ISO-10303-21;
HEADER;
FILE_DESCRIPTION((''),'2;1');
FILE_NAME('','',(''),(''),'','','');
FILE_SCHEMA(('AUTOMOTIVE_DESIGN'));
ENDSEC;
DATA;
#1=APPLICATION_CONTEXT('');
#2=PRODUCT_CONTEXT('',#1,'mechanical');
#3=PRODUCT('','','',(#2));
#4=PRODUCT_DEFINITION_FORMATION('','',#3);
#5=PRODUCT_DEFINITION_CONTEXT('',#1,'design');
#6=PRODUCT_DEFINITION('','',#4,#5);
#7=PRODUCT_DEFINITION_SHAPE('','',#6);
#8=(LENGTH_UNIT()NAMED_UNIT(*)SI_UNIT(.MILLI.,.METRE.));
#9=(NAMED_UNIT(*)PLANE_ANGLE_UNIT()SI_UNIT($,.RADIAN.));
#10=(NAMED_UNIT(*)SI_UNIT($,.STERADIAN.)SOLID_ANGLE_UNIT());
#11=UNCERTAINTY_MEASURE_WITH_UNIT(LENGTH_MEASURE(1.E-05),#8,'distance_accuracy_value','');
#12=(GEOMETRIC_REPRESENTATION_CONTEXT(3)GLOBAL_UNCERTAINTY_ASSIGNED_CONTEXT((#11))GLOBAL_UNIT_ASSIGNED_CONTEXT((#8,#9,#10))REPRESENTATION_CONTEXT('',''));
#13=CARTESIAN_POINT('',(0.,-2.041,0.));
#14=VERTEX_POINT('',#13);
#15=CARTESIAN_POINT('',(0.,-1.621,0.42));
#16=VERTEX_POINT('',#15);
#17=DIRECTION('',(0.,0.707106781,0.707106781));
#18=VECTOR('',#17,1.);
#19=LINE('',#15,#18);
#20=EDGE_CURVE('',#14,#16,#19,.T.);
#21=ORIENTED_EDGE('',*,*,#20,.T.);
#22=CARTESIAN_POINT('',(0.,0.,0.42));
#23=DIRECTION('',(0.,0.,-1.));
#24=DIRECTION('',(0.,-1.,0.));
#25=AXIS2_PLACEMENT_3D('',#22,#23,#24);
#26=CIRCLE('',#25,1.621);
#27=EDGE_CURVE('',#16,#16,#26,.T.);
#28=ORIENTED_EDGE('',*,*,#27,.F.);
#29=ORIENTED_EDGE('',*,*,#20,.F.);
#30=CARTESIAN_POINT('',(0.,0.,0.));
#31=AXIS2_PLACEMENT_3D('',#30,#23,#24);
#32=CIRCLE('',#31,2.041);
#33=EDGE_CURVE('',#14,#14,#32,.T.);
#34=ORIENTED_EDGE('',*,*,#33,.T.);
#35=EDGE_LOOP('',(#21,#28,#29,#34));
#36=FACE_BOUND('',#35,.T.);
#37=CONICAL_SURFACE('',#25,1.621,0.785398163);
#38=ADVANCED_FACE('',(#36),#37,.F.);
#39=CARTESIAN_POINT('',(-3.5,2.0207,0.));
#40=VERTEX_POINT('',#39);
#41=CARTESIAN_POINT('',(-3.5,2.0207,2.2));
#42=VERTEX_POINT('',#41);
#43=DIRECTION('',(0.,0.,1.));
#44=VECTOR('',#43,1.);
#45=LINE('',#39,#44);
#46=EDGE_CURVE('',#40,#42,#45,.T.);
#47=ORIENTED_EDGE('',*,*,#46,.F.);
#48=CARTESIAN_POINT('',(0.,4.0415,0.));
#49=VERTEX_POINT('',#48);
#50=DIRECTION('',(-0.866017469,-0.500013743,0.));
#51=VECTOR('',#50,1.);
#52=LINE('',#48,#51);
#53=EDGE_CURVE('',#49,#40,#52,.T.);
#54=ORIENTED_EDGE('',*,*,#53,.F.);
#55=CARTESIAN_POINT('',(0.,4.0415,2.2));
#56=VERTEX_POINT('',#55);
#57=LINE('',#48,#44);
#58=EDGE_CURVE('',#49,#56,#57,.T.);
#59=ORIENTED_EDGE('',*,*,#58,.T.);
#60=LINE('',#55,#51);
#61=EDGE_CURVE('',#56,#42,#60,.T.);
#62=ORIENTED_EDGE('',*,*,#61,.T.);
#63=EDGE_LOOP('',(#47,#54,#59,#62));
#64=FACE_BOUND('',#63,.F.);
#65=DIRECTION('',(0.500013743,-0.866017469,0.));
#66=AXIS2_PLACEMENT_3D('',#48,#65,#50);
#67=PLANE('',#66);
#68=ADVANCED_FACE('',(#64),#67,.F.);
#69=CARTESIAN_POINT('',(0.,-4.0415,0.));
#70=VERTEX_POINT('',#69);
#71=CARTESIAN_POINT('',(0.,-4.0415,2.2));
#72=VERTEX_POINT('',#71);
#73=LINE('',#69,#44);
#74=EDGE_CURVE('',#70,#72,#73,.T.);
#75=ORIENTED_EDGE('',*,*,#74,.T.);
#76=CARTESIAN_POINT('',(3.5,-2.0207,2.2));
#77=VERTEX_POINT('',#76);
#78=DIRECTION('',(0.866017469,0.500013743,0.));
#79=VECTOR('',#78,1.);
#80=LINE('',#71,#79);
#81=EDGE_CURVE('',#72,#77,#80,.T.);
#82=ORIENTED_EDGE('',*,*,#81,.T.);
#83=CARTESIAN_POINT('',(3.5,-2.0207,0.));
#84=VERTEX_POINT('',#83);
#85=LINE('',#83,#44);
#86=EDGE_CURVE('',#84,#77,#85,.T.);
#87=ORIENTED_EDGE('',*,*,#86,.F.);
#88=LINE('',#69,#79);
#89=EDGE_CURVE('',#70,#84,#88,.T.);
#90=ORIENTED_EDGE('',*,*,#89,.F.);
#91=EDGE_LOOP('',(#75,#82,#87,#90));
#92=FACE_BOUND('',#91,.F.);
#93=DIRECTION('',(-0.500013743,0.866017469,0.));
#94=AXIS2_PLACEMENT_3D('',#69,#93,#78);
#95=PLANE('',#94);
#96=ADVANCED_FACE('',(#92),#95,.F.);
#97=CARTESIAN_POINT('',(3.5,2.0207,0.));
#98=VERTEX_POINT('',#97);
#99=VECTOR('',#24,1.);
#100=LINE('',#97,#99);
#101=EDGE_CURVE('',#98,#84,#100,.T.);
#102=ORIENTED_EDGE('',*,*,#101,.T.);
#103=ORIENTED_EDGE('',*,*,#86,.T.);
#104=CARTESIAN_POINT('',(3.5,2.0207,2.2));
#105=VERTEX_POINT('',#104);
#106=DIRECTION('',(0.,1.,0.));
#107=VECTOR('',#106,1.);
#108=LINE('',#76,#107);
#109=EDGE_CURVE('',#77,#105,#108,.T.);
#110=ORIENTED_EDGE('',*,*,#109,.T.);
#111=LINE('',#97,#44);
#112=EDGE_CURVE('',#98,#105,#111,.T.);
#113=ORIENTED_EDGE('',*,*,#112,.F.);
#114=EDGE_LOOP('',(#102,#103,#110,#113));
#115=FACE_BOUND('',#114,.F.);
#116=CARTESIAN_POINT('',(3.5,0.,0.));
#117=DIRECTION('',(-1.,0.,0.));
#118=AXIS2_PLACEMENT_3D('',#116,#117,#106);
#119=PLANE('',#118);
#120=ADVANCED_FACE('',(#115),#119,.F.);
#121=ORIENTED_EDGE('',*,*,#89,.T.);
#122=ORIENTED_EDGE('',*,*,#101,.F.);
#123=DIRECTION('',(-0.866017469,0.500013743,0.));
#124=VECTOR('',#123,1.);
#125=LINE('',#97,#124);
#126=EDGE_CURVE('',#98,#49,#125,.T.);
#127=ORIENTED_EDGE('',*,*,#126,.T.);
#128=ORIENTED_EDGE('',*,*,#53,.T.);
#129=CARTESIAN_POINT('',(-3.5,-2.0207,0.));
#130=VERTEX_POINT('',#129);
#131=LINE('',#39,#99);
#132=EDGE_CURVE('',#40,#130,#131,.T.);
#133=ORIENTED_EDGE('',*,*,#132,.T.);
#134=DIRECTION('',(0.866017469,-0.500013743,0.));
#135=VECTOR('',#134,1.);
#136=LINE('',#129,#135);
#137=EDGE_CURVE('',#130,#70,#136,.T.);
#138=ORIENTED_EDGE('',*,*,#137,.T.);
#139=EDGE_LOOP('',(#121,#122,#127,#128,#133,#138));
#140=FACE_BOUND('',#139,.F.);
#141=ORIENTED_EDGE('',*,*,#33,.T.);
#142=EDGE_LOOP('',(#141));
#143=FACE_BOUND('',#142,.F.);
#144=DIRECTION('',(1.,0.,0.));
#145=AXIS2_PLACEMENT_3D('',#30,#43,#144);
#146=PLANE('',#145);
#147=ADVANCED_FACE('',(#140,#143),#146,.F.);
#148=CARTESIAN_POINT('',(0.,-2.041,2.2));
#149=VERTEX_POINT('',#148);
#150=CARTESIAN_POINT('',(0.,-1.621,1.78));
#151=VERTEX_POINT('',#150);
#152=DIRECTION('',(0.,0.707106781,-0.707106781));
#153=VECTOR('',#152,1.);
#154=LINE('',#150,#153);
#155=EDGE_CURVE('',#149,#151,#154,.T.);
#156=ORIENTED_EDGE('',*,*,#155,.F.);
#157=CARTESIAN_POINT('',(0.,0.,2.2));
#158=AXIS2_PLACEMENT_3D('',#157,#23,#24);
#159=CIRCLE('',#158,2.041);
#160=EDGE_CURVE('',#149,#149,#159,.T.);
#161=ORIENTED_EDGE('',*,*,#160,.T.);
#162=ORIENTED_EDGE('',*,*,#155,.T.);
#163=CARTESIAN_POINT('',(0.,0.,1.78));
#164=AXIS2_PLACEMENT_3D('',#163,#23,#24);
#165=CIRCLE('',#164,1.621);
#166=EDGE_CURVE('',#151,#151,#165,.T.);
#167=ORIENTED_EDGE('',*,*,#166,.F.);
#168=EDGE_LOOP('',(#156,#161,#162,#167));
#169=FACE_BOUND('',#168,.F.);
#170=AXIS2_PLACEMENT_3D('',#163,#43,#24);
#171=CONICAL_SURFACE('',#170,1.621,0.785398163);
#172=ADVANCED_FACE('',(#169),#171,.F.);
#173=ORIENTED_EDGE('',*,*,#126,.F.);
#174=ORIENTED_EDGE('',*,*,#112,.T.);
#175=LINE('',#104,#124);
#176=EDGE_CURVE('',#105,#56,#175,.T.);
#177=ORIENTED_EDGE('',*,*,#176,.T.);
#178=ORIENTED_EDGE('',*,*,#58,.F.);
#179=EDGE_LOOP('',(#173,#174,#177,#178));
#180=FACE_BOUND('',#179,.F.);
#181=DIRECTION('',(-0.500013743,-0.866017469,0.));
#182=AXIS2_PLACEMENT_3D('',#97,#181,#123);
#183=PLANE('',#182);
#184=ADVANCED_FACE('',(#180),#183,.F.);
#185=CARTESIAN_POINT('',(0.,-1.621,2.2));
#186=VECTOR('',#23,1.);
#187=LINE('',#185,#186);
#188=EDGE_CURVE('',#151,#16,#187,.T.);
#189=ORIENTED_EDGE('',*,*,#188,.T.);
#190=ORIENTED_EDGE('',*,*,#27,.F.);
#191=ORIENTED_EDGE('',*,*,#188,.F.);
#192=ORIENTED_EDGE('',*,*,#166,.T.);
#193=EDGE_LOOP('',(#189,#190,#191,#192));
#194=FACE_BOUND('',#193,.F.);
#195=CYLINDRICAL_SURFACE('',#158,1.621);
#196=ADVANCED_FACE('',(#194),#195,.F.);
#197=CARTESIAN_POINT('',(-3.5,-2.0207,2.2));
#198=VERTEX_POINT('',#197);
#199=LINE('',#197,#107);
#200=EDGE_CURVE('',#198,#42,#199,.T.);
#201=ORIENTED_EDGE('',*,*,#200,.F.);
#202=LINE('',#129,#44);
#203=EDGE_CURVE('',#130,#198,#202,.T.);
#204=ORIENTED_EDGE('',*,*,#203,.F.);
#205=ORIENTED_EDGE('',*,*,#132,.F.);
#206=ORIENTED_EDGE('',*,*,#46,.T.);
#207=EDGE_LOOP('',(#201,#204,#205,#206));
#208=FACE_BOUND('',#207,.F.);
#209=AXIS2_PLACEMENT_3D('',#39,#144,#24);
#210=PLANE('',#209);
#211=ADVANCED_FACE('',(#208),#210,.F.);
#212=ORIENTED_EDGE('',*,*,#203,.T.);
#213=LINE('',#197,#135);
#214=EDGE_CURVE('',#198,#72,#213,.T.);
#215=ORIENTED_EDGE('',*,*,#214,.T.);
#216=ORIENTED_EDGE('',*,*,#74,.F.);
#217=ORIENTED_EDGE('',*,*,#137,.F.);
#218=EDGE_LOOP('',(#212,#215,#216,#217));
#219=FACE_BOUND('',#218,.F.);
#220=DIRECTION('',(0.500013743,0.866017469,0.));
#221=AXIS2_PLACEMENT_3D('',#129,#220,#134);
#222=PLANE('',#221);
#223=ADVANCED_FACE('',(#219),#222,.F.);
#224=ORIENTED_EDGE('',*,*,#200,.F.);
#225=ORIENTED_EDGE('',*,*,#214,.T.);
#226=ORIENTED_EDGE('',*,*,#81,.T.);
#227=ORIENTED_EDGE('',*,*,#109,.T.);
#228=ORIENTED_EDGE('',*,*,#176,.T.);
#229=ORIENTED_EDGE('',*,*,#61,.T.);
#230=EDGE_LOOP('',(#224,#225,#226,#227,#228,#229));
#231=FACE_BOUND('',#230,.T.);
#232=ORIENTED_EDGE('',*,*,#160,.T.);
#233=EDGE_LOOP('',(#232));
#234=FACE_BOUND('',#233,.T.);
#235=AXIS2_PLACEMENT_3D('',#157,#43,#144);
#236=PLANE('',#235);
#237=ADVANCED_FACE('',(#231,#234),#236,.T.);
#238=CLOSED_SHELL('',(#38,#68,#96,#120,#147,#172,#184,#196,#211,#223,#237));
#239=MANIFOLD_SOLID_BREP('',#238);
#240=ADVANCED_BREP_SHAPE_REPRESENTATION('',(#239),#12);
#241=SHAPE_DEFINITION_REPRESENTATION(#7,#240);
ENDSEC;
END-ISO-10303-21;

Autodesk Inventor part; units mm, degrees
sketch "Sketch1" plane through (0, 0, 0) normal (0, 0, 1) x (1, 0, 0)
  circle A0 centre (0, 0) radius 3.5 construction
  line L0 (-3.5, 2.0207) -> (-3.5, -2.0207)
  line L1 (-3.5, -2.0207) -> (0, -4.0415)
  line L2 (0, -4.0415) -> (3.5, -2.0207)
  line L3 (3.5, -2.0207) -> (3.5, 2.0207)
  line L4 (3.5, 2.0207) -> (0, 4.0415)
  line L5 (0, 4.0415) -> (-3.5, 2.0207)
  line L6 (0, 5.658) -> (0, -5.658) projected
  line L7 (-4.9, 0) -> (4.9, 0) projected
  point P0 (0, 0)
  dimension "ParS" = 7
extrude "Extrusion1" add sketch "Sketch1" along normal blind 2.2
sketch "Sketch2" plane through (0, 0, 2.2) normal (0, 0, 1) x (1, 0, 0)
  point P0 (0, 0)
  point P1 (0, 0)
hole "Hole1" at (0, 0, 2.2) direction (0, 0, -1) diameter 3.242 end through all thread size "M4x0.7" class "6H" standard "ISO Metric profile"
ref_plane "MSC_PT1" through (0, 0, 2.2) normal (0, 0, 1) x (1, 0, 0)
ref_plane "MSC_PT2" through (0, 0, 0) normal (0, 0, -1) x (-1, 0, 0)
ref_plane "MSC_PF1" through (0, 0, 0) normal (1, 0, 0) x (0, 1, 0)
chamfer "Chamfer1" distance 0.42 angle 45 2 edges at (0, 1.621, 2.2) (0, 1.621, 0)
equation "\"d17\" = 0.6 * PTC"
equation "\"d18\" = 0.6 * PTC"
equation "\"d4\" = M"
equation "\"PTC\" = 0.7"
equation "\"NND\" = 4"
equation "\"THREADDIA\" = NND"
properties part number "ISO 4036 - M4" material "Steel"
